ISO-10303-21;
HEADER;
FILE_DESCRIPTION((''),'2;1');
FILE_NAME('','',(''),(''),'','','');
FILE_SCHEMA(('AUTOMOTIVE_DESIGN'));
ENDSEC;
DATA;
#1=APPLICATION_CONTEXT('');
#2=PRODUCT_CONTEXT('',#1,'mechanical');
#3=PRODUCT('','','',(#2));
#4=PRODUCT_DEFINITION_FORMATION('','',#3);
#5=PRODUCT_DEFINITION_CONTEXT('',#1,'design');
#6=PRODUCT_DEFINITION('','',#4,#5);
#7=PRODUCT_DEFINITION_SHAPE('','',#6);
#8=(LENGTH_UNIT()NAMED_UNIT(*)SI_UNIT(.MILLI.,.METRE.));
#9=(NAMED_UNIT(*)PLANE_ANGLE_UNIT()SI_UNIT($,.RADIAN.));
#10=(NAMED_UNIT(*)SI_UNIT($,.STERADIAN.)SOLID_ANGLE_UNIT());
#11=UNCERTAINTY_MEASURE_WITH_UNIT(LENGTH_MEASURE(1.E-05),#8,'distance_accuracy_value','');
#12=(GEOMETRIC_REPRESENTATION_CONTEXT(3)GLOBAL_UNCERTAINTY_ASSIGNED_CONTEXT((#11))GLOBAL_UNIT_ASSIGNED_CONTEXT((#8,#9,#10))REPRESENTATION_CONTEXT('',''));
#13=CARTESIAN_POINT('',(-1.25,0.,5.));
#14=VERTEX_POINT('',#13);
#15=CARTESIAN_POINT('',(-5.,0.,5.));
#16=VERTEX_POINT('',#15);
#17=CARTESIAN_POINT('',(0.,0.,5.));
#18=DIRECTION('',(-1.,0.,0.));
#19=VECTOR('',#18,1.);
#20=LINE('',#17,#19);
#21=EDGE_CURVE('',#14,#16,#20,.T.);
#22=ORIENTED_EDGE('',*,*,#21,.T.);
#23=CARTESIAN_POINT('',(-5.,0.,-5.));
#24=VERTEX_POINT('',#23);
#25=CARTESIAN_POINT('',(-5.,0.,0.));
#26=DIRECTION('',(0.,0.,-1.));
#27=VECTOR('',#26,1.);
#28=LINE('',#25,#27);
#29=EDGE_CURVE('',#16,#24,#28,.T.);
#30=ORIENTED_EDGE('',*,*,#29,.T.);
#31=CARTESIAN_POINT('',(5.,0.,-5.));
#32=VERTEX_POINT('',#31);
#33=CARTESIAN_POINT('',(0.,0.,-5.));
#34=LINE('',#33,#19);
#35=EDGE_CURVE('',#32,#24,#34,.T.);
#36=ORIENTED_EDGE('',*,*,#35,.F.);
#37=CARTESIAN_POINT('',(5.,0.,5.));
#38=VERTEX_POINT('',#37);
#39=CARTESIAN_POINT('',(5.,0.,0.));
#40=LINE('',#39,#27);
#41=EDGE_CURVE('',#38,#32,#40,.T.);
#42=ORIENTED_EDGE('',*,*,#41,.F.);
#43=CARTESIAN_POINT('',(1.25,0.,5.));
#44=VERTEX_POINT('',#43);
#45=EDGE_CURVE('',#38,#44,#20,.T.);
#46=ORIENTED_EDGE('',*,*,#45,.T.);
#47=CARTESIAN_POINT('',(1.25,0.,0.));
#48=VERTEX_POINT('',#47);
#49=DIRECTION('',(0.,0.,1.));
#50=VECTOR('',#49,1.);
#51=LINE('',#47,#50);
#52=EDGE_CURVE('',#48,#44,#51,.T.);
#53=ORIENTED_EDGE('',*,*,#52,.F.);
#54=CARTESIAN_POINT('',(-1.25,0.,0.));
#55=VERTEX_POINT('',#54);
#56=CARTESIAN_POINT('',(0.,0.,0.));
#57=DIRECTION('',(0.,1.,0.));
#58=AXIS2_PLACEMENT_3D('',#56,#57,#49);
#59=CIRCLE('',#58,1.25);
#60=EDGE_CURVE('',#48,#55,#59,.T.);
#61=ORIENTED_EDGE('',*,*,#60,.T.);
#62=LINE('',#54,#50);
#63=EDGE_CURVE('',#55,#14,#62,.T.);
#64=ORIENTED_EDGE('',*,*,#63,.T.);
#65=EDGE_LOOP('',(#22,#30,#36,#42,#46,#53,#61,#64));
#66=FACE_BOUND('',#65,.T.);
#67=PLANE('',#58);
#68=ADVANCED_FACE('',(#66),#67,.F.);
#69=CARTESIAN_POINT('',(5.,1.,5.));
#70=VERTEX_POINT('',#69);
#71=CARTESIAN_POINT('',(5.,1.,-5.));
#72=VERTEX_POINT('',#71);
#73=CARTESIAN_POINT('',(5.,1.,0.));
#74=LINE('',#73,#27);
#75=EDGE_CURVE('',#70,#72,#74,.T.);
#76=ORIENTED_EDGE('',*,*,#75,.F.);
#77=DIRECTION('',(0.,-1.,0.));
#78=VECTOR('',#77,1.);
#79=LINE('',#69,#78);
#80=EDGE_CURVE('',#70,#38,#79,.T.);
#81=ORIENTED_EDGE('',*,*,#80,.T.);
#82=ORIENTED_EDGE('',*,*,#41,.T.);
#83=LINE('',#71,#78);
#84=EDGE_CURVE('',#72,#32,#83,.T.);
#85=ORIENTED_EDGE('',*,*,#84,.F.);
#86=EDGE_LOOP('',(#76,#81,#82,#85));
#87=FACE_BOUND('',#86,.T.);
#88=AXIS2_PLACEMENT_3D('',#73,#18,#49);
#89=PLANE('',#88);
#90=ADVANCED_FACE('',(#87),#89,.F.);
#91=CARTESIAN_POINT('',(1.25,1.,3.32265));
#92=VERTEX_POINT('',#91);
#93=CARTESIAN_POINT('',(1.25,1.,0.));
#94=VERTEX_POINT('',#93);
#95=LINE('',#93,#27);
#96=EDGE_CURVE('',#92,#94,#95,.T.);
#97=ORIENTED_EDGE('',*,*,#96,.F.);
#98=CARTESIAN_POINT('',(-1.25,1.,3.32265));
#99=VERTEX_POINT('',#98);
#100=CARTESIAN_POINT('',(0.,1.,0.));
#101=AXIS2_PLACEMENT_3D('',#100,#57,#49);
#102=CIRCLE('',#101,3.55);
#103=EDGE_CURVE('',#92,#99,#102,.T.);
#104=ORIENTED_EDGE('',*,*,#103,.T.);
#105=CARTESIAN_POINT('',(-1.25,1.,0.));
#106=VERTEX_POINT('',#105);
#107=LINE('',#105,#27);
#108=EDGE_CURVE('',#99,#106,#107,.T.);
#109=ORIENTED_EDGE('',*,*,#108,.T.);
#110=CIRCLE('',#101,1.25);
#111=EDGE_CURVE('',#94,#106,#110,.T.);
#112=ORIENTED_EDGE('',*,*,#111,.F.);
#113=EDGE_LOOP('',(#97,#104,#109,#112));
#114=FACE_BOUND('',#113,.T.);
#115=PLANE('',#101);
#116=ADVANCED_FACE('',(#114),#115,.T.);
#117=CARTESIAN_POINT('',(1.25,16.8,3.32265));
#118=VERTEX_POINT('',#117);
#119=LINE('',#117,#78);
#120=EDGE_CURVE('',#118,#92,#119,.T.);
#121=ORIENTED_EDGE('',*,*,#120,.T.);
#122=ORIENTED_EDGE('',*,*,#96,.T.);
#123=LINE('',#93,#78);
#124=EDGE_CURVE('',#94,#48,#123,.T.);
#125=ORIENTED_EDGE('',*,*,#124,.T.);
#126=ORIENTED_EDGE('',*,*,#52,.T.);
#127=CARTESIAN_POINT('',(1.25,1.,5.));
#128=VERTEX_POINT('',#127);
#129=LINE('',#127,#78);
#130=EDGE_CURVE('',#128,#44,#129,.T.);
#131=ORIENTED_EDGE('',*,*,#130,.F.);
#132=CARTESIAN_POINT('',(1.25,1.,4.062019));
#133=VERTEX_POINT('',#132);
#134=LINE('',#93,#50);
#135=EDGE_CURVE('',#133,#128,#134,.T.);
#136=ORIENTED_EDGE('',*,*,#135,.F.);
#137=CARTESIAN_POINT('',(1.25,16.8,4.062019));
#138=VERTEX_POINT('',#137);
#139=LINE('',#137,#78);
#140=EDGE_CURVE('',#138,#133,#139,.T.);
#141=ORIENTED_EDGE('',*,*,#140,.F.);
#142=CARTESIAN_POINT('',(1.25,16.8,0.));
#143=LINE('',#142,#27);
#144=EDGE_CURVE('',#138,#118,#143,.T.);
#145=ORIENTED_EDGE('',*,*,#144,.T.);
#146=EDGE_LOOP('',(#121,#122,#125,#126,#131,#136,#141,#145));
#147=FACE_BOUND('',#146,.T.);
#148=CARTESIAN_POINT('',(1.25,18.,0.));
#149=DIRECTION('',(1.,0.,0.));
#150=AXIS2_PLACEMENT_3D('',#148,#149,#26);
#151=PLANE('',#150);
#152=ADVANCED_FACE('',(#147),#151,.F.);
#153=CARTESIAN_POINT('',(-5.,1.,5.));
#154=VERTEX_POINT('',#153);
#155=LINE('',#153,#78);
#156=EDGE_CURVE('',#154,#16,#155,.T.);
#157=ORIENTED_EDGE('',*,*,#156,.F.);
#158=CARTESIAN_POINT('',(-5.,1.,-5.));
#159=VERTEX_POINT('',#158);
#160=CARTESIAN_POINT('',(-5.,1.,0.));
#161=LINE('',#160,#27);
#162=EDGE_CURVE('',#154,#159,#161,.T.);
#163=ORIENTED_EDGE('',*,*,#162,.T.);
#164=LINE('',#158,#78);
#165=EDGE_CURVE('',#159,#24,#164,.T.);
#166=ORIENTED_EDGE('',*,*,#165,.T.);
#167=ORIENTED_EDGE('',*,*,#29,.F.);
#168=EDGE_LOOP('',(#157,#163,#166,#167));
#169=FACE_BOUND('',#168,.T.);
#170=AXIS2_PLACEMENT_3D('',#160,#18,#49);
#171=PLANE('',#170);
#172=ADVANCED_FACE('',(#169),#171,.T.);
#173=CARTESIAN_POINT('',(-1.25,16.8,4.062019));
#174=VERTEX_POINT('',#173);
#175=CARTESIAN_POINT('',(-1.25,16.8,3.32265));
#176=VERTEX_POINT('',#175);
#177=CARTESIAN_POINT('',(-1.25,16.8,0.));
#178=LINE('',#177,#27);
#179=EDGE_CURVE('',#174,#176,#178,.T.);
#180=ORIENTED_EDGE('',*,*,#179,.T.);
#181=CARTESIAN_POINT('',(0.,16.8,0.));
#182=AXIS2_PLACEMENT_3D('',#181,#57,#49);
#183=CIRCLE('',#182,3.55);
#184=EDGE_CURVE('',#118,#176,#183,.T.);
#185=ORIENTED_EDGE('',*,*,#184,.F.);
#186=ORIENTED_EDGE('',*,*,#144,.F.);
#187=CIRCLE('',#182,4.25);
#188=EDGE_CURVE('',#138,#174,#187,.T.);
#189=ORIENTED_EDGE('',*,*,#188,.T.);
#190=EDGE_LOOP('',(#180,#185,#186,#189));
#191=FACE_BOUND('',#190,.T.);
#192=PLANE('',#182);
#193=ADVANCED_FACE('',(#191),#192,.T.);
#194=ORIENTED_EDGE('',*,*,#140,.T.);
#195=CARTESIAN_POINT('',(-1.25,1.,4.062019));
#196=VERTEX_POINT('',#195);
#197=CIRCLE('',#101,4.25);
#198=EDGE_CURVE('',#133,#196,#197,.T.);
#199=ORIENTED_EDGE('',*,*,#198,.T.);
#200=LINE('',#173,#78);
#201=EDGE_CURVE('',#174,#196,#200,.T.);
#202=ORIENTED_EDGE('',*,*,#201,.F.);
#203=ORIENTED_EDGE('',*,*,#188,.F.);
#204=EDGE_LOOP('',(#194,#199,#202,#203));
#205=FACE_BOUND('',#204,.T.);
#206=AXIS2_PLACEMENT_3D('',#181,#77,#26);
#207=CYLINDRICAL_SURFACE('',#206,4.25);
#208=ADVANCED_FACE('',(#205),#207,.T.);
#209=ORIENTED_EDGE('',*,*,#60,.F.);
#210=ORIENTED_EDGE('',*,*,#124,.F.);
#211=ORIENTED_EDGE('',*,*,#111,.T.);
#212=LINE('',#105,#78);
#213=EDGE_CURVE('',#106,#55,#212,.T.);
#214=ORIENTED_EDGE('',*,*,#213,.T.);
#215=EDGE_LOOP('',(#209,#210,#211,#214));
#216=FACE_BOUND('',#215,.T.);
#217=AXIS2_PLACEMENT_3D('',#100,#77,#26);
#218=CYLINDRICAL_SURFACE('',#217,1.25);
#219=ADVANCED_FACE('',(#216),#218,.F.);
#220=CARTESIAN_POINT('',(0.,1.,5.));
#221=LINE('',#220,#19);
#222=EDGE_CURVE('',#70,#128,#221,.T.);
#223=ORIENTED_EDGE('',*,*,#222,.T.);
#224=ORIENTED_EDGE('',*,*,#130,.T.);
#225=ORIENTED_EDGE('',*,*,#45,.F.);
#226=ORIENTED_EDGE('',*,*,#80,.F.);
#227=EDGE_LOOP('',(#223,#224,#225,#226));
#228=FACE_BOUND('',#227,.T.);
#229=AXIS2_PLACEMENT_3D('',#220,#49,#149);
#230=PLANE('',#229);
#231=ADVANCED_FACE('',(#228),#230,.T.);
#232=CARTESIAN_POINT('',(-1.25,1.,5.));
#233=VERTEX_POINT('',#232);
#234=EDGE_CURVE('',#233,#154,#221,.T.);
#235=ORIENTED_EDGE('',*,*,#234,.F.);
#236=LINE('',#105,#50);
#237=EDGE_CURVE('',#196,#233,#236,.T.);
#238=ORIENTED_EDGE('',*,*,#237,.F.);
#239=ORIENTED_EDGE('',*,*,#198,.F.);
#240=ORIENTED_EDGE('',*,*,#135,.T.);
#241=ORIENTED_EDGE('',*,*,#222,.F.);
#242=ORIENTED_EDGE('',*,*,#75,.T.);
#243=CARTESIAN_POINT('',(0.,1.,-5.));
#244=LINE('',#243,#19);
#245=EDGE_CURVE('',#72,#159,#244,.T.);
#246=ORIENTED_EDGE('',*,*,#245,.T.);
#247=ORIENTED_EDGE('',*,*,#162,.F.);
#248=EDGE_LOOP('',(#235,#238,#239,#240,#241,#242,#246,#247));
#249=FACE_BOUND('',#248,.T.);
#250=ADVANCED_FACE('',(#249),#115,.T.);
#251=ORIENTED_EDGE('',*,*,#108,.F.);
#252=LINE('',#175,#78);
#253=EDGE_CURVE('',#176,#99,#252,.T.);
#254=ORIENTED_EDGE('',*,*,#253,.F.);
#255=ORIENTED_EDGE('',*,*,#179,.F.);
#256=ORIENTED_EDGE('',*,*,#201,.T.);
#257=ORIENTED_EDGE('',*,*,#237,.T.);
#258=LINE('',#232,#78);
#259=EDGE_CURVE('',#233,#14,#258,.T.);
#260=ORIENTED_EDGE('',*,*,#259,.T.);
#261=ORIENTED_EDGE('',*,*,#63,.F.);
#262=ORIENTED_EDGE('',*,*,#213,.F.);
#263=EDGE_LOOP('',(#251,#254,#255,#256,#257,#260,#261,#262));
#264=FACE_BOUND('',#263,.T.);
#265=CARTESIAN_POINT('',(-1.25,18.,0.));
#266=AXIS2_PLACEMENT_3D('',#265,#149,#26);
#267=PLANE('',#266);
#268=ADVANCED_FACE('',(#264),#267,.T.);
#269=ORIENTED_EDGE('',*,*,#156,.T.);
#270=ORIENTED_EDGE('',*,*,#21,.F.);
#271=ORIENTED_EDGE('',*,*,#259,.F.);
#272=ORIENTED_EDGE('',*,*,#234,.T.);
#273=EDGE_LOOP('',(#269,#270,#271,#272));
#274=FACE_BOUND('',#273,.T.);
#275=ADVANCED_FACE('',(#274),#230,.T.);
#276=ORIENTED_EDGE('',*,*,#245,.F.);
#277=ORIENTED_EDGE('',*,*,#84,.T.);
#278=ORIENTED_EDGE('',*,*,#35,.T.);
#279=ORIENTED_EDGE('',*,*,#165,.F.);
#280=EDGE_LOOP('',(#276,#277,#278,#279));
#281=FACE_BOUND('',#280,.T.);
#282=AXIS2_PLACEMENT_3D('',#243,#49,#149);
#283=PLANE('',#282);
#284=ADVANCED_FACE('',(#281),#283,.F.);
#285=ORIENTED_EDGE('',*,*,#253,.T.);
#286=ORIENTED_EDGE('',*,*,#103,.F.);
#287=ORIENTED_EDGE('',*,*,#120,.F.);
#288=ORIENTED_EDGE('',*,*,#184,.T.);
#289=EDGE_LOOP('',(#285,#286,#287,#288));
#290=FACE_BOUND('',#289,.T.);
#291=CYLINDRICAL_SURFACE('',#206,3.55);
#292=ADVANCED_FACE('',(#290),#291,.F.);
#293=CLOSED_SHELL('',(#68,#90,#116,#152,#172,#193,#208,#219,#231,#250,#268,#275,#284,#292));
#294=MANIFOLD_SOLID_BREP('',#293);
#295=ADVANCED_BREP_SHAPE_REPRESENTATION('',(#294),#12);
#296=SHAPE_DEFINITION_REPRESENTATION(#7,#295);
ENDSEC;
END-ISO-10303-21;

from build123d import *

# Parameters (mm, degrees)
SKETCH1_R           = 4.25
SKETCH1_R_2         = 3.55
BOSS_EXTRUDE1_DEPTH = 16.8
SKETCH2_R           = 3.55
SKETCH2_R_2         = 1.25
BOSS_EXTRUDE2_DEPTH = 1
CUT_EXTRUDE1_DEPTH  = 18
BOSS_EXTRUDE3_DEPTH = 1


with BuildPart() as part:
    # Sketch1 → Boss-Extrude1 (new body)
    with BuildSketch(Plane(origin=(0, 0, 0), x_dir=(1, 0, 0), z_dir=(0, 1, 0))):
        with Locations(Location((0, 0, 0), (0, 0, 270))):
            Circle(SKETCH1_R)
        with Locations(Location((0, 0, 0), (0, 0, 270))):
            Circle(SKETCH1_R_2, mode=Mode.SUBTRACT)
    extrude(amount=BOSS_EXTRUDE1_DEPTH)

    # Sketch2 → Boss-Extrude2 (add)
    with BuildSketch(Plane(origin=(0, 0, 0), x_dir=(1, 0, 0), z_dir=(0, 1, 0))):
        with Locations(Location((0, 0, 0), (0, 0, 270))):
            Circle(SKETCH2_R)
        with Locations(Location((0, 0, 0), (0, 0, 270))):
            Circle(SKETCH2_R_2, mode=Mode.SUBTRACT)
    extrude(amount=BOSS_EXTRUDE2_DEPTH)

    # Sketch3 → Cut-Extrude1 (cut)
    with BuildSketch(Plane(origin=(0, 0, 0), x_dir=(1, 0, 0), z_dir=(0, 1, 0))):
        with BuildLine():
            ThreePointArc((1.25, 0), (0, -1.25), (-1.25, 0))
            Line((-1.25, 0), (-1.25, -5.072282681))
            Line((-1.25, -5.072282681), (1.25, -5.072282681))
            Line((1.25, -5.072282681), (1.25, 0))
        make_face()
    extrude(amount=CUT_EXTRUDE1_DEPTH, mode=Mode.SUBTRACT)

    # Sketch4 → Boss-Extrude3 (add)
    with BuildSketch(Plane(origin=(0, 0, 0), x_dir=(1, 0, 0), z_dir=(0, 1, 0))):
        with BuildLine():
            Line((-1.25, -5), (-1.25, 0))
            ThreePointArc((-1.25, 0), (0, 1.25), (1.25, 0))
            Line((1.25, 0), (1.25, -5))
            Line((1.25, -5), (5, -5))
            Line((5, -5), (5, 5))
            Line((5, 5), (-5, 5))
            Line((-5, 5), (-5, -5))
            Line((-5, -5), (-1.25, -5))
        make_face()
    extrude(amount=BOSS_EXTRUDE3_DEPTH)


solid = part.part
